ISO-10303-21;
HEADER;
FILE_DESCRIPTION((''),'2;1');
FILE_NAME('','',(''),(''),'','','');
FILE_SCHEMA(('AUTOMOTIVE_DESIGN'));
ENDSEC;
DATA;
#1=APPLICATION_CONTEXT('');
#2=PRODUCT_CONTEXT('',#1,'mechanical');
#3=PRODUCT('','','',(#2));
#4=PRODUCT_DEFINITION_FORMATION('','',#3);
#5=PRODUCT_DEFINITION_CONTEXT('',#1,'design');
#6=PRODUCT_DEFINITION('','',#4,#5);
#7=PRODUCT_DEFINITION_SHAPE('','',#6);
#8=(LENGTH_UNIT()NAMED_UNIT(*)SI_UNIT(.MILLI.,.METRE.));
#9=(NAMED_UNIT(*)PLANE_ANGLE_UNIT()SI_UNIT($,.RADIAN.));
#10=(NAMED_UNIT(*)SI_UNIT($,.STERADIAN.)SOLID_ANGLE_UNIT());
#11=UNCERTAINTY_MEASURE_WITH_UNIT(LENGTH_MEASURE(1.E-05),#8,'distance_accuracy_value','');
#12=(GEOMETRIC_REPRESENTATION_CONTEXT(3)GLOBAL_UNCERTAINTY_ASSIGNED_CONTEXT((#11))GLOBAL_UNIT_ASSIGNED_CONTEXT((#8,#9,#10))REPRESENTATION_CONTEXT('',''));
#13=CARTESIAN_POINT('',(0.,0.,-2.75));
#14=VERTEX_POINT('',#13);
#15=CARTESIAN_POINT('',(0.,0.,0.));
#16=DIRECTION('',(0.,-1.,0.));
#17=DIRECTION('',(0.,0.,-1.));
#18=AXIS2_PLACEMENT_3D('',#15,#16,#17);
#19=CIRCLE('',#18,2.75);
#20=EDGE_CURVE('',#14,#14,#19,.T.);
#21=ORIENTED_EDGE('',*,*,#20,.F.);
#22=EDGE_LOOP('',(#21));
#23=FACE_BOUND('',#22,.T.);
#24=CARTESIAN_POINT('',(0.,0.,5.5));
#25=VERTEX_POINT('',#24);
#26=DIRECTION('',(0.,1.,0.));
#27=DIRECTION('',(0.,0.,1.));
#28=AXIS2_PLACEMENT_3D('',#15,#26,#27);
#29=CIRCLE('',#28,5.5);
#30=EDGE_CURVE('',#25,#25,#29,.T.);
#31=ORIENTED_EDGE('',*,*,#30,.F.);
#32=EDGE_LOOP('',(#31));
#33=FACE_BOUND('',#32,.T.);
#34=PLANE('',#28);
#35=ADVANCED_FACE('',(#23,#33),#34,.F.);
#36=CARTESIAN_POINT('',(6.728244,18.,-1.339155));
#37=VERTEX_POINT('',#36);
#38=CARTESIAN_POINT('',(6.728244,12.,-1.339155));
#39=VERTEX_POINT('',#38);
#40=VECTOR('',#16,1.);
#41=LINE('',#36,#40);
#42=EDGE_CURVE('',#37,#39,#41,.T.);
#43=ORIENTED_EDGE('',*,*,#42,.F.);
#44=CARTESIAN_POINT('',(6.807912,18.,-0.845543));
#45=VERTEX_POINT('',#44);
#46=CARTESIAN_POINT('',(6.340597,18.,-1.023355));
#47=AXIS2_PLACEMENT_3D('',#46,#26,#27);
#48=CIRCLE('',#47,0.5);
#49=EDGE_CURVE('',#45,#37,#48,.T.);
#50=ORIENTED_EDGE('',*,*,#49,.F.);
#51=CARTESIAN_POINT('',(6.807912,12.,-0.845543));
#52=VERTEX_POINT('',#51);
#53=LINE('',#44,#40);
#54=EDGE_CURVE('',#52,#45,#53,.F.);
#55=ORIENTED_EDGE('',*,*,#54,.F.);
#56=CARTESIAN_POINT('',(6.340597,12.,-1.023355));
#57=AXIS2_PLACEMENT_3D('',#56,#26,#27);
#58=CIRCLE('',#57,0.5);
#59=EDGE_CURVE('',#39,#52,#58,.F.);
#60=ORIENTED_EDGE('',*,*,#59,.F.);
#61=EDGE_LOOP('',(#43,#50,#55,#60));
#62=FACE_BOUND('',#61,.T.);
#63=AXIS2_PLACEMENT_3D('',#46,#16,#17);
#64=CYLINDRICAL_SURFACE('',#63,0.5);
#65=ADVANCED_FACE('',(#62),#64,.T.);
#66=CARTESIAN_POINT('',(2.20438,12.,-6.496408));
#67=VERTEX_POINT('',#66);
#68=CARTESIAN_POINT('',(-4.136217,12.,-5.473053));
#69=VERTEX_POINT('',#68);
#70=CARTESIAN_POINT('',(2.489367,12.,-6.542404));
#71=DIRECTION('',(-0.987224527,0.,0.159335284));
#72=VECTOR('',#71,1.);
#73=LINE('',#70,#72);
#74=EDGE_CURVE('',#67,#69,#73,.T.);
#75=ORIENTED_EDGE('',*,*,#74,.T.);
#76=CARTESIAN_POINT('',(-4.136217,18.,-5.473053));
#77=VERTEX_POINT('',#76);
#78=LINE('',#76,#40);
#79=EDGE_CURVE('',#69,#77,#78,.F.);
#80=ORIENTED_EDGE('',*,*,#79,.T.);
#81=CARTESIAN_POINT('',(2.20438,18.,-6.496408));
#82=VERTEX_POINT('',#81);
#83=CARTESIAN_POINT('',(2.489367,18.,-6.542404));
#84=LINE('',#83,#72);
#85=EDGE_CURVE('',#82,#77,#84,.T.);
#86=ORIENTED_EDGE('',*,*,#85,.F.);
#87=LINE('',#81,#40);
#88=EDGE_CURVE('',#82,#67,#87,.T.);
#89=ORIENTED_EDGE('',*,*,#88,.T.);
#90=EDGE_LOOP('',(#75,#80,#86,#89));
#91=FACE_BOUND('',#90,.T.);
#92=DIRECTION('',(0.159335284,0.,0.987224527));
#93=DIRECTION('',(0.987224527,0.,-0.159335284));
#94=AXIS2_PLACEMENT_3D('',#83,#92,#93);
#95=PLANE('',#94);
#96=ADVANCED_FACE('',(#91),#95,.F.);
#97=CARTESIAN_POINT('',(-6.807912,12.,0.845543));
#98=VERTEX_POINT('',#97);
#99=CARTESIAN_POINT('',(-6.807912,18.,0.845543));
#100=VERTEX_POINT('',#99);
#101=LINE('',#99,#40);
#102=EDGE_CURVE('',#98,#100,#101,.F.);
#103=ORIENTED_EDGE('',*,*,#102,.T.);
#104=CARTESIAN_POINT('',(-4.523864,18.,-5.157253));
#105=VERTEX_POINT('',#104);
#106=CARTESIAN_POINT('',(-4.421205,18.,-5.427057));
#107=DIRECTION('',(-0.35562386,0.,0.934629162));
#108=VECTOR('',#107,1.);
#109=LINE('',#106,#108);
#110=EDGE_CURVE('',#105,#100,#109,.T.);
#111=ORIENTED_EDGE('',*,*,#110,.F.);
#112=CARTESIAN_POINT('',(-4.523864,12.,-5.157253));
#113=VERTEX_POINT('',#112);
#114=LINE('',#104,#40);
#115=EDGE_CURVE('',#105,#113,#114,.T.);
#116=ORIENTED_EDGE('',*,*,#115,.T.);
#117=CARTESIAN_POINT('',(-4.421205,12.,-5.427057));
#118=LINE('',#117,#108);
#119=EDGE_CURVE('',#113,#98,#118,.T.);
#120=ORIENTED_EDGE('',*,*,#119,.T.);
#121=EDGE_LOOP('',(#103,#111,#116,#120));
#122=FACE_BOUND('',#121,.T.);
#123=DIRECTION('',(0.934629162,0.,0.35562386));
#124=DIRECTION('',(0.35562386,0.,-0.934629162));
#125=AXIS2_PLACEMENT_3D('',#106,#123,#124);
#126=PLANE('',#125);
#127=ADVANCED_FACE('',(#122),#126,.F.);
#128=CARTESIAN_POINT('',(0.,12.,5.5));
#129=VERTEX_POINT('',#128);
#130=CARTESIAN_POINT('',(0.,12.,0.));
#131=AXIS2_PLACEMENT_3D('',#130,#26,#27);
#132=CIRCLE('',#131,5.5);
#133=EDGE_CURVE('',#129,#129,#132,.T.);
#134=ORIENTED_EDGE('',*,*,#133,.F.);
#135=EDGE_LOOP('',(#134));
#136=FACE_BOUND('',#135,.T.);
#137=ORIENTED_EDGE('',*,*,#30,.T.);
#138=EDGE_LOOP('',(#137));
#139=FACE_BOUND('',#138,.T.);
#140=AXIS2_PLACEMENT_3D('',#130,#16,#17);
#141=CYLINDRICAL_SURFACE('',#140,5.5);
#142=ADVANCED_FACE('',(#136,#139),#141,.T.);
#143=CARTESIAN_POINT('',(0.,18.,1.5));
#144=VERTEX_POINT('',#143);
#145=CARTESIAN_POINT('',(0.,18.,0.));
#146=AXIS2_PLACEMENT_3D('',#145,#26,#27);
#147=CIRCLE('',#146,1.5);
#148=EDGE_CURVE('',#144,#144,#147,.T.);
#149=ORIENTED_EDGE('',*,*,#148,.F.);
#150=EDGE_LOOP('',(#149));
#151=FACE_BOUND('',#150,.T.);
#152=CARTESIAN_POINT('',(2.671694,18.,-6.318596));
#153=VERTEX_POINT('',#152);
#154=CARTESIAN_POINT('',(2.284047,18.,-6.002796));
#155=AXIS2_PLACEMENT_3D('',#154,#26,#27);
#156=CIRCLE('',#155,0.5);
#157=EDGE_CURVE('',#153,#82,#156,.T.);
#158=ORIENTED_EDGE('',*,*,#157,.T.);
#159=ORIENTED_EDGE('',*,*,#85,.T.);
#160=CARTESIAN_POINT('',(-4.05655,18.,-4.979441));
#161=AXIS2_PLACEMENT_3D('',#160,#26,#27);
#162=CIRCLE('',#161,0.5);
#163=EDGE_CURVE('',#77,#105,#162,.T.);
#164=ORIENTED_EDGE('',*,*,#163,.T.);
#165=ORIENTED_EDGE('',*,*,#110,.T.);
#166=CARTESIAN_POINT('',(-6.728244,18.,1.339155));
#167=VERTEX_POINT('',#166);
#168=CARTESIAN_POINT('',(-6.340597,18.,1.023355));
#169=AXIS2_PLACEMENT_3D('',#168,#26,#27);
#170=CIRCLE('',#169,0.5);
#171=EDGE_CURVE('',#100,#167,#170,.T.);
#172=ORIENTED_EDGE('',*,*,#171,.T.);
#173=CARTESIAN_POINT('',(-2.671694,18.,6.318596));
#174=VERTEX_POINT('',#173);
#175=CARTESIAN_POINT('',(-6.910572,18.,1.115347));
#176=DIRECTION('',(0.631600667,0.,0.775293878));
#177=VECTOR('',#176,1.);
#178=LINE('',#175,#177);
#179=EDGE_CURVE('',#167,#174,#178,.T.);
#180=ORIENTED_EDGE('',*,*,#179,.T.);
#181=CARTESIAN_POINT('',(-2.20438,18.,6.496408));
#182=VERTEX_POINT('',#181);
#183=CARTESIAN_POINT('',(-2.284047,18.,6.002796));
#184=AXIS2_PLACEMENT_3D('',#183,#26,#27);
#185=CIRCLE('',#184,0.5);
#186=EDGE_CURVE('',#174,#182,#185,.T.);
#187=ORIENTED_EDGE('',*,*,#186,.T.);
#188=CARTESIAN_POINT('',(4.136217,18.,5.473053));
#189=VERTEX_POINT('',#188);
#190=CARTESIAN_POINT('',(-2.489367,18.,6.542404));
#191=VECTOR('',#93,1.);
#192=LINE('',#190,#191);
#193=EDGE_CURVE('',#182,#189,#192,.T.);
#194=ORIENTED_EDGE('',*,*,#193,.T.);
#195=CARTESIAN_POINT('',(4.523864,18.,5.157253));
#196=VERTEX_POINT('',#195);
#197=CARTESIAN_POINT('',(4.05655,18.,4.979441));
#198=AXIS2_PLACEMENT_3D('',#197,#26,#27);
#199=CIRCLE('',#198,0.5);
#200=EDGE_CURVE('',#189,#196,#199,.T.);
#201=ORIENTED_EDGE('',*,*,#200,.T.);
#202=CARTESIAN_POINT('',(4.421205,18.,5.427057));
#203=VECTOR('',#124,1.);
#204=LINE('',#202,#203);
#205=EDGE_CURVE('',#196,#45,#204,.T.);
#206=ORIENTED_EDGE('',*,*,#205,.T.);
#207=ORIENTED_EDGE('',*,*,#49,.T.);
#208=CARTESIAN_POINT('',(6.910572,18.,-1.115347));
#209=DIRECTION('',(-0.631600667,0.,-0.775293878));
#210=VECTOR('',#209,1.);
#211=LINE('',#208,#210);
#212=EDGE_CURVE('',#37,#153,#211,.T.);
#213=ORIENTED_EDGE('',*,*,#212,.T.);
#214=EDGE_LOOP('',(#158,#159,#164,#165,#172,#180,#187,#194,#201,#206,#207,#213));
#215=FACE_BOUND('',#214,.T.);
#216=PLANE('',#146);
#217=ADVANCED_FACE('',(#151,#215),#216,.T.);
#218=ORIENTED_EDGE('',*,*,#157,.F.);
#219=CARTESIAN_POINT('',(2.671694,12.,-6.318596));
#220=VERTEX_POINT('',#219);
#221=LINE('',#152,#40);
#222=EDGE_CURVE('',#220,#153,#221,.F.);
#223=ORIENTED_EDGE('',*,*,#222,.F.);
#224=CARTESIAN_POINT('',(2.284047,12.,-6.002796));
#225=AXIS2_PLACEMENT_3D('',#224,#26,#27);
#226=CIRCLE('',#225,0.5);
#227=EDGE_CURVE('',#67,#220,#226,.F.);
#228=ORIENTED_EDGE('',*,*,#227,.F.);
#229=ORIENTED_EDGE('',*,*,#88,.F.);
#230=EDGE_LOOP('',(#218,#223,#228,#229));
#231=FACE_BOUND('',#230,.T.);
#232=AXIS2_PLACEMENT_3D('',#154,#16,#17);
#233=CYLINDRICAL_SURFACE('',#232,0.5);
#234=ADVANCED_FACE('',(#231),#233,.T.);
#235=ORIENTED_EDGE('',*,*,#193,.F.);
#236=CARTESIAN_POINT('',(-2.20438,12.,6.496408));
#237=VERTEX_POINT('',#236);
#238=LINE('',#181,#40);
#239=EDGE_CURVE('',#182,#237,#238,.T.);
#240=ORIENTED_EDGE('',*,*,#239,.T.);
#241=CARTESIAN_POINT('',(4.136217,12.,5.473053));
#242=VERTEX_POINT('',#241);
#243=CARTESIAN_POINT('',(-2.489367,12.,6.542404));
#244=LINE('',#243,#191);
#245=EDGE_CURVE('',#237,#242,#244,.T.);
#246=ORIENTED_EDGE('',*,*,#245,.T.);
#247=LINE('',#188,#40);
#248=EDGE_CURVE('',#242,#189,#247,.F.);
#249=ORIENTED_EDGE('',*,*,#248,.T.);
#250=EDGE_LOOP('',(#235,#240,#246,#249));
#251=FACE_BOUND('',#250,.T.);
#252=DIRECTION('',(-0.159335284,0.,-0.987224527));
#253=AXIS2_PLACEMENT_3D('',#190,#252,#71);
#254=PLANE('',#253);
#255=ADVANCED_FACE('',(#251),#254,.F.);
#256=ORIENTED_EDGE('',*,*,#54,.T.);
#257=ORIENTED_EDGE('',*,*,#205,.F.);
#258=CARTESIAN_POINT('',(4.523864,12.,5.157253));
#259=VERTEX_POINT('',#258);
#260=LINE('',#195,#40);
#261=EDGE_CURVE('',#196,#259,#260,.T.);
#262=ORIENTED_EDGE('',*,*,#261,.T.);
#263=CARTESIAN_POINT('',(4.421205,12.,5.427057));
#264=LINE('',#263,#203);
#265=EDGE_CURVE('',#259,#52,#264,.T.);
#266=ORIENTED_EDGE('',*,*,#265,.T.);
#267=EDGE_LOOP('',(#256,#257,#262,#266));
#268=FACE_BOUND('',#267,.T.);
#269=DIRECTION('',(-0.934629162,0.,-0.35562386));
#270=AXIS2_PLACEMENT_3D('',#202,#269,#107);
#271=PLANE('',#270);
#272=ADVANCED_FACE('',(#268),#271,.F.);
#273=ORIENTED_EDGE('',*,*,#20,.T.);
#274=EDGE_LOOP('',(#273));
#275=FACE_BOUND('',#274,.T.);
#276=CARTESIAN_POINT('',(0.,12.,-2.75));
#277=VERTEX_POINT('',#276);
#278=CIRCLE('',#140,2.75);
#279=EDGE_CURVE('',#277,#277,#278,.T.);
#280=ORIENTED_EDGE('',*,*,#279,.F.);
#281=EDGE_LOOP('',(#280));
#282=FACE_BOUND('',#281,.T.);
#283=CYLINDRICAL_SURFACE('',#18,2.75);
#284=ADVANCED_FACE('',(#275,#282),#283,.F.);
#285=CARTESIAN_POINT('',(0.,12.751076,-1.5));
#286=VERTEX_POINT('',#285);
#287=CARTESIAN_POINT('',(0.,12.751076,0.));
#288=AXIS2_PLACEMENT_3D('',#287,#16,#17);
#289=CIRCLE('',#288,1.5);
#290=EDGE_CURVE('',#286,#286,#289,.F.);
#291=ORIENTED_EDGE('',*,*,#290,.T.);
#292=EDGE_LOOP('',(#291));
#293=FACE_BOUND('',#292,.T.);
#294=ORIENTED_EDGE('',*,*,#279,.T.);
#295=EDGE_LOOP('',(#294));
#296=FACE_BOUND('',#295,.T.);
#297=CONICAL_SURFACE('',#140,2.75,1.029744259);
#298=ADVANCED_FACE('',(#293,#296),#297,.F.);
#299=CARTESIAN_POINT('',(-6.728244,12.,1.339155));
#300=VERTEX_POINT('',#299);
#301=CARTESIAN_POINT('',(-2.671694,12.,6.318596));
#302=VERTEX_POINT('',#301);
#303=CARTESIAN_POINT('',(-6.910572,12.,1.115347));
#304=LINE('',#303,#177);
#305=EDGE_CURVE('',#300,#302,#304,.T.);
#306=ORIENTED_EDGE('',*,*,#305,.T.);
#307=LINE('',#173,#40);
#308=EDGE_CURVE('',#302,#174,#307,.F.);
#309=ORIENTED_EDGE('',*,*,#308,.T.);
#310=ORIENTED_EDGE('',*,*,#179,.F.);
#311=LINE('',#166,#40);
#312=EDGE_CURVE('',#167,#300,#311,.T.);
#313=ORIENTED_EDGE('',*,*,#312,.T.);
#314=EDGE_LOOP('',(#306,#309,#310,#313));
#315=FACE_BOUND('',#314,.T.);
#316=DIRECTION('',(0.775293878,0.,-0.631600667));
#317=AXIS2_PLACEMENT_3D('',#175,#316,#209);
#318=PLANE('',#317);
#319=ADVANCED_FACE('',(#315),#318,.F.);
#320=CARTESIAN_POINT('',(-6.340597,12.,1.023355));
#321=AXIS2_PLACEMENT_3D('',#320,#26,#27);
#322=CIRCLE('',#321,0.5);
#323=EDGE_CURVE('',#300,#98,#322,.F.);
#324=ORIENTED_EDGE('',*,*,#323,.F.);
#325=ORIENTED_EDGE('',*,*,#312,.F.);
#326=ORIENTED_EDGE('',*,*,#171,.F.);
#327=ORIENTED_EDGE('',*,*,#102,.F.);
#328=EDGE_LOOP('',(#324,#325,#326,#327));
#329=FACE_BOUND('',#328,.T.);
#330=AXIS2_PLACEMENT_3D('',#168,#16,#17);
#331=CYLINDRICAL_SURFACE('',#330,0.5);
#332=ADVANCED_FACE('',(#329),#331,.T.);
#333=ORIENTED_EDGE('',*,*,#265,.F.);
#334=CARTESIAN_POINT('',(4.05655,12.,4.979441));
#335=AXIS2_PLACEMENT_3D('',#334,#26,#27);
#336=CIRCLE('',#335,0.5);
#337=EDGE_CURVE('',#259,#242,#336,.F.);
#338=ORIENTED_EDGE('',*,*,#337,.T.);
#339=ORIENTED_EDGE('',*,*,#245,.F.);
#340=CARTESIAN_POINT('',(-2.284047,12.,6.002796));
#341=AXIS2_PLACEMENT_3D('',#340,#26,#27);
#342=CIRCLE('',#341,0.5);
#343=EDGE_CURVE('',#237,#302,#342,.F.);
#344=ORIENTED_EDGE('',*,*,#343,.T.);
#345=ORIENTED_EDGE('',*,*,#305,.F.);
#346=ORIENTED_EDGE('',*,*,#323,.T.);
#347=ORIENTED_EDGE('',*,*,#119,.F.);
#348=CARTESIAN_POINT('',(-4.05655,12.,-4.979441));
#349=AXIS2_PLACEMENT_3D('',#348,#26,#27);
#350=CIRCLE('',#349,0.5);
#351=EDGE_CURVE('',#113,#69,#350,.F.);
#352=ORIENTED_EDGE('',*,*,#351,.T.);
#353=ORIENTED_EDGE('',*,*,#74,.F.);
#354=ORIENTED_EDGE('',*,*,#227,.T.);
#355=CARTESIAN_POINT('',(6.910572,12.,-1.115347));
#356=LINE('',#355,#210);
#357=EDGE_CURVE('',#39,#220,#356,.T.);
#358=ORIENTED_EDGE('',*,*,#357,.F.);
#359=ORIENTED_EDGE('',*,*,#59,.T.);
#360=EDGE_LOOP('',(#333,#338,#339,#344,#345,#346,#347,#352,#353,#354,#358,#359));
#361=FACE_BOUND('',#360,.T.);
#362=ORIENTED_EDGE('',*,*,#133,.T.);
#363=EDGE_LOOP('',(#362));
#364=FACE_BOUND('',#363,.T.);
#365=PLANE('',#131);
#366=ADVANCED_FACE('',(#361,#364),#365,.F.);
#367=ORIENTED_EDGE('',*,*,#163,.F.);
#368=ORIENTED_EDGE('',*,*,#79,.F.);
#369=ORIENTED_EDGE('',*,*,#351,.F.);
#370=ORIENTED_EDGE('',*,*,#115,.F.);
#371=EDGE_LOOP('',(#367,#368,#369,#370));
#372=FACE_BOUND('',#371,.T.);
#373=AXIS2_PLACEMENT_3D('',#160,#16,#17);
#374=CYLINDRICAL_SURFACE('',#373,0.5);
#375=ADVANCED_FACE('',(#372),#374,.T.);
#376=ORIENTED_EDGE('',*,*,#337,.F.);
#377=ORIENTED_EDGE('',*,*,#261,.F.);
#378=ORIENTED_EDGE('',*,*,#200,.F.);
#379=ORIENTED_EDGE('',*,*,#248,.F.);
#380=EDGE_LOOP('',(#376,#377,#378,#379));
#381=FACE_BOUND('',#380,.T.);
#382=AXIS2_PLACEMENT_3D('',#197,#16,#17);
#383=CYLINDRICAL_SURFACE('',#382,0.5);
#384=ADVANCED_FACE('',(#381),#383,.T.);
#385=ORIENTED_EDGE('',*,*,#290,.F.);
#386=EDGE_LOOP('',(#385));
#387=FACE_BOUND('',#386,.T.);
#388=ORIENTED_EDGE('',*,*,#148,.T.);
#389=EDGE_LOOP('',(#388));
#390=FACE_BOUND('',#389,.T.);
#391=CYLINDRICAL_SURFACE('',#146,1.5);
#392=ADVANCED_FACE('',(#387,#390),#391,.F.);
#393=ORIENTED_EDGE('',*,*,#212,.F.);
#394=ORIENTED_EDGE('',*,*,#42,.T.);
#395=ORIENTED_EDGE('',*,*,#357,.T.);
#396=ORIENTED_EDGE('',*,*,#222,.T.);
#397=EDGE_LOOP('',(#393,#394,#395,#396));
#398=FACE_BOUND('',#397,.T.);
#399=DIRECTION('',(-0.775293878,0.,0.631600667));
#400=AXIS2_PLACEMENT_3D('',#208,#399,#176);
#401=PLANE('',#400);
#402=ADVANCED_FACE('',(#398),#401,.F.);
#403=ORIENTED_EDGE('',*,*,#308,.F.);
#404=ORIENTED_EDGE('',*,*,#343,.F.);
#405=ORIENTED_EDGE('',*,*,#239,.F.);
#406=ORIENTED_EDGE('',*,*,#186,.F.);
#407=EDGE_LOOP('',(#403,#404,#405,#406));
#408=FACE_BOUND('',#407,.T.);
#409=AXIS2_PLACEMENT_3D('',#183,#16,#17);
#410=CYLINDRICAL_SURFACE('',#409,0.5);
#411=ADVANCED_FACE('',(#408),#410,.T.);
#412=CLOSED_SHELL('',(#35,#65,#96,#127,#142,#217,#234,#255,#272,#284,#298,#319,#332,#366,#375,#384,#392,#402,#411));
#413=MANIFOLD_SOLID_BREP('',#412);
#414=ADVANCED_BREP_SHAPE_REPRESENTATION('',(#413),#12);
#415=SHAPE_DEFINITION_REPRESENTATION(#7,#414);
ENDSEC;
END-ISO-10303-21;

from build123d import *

# Parameters (mm, degrees)
SKETCH1_R                    = 5.5
BOSS_EXTRUDE1_DEPTH          = 12
BOSS_EXTRUDE2_DEPTH          = 6
M5_CLEARANCE_HOLE1_D         = 5.5
M5_CLEARANCE_HOLE1_DEPTH     = 12
M5_CLEARANCE_HOLE1_TIP       = 1.652366702
F_3_0_3_DIAMETER_HOLE1_D     = 3
F_3_0_3_DIAMETER_HOLE1_DEPTH = 6
F_3_0_3_DIAMETER_HOLE1_TIP   = 0.901290929
FILLET1_R                    = 0.5


with BuildPart() as part:
    # Sketch1 → Boss-Extrude1 (new body)
    with BuildSketch(Plane(origin=(0, 0, 0), x_dir=(1, 0, 0), z_dir=(0, 1, 0))):
        with Locations(Location((0, 0, 0), (0, 0, 270))):
            Circle(SKETCH1_R)
    extrude(amount=BOSS_EXTRUDE1_DEPTH)

    # Sketch2 → Boss-Extrude2 (add)
    with BuildSketch(Plane(origin=(0, 12, 0), x_dir=(1, 0, 0), z_dir=(0, 1, 0))):
        Polygon((4.42120467, -5.427057146), (6.910571691, 1.115346986), (2.489367021, 6.542404132), (-4.42120467, 5.427057146), (-6.910571691, -1.115346986), (-2.489367021, -6.542404132), align=None)
    extrude(amount=BOSS_EXTRUDE2_DEPTH)

    # M5 Clearance Hole1
    with Locations(Plane.XZ):
        with Locations((0, 0)):
            Hole(M5_CLEARANCE_HOLE1_D / 2, depth=M5_CLEARANCE_HOLE1_DEPTH)
            with Locations((0, 0, -(M5_CLEARANCE_HOLE1_DEPTH + M5_CLEARANCE_HOLE1_TIP / 2))):  # 118° drill point
                Cone(0, M5_CLEARANCE_HOLE1_D / 2, M5_CLEARANCE_HOLE1_TIP, mode=Mode.SUBTRACT)

    # Ø3.0 (3) Diameter Hole1
    with Locations(Plane(origin=(0, 18, 0), x_dir=(1, 0, 0), z_dir=(0, 1, 0))):
        with Locations((0, 0)):
            Hole(F_3_0_3_DIAMETER_HOLE1_D / 2, depth=F_3_0_3_DIAMETER_HOLE1_DEPTH)
            with Locations((0, 0, -(F_3_0_3_DIAMETER_HOLE1_DEPTH + F_3_0_3_DIAMETER_HOLE1_TIP / 2))):  # 118° drill point
                Cone(0, F_3_0_3_DIAMETER_HOLE1_D / 2, F_3_0_3_DIAMETER_HOLE1_TIP, mode=Mode.SUBTRACT)

    # Fillet1
    fillet1_edges = [part.edges().sort_by_distance(p)[0] for p in [
        (-2.489367021, 15, 6.542404132),
        (4.42120467, 15, 5.427057146),
        (6.910571691, 15, -1.115346986),
        (2.489367021, 15, -6.542404132),
        (-4.42120467, 15, -5.427057146),
        (-6.910571691, 15, 1.115346986),
    ]]
    fillet(fillet1_edges, radius=FILLET1_R)


solid = part.part
